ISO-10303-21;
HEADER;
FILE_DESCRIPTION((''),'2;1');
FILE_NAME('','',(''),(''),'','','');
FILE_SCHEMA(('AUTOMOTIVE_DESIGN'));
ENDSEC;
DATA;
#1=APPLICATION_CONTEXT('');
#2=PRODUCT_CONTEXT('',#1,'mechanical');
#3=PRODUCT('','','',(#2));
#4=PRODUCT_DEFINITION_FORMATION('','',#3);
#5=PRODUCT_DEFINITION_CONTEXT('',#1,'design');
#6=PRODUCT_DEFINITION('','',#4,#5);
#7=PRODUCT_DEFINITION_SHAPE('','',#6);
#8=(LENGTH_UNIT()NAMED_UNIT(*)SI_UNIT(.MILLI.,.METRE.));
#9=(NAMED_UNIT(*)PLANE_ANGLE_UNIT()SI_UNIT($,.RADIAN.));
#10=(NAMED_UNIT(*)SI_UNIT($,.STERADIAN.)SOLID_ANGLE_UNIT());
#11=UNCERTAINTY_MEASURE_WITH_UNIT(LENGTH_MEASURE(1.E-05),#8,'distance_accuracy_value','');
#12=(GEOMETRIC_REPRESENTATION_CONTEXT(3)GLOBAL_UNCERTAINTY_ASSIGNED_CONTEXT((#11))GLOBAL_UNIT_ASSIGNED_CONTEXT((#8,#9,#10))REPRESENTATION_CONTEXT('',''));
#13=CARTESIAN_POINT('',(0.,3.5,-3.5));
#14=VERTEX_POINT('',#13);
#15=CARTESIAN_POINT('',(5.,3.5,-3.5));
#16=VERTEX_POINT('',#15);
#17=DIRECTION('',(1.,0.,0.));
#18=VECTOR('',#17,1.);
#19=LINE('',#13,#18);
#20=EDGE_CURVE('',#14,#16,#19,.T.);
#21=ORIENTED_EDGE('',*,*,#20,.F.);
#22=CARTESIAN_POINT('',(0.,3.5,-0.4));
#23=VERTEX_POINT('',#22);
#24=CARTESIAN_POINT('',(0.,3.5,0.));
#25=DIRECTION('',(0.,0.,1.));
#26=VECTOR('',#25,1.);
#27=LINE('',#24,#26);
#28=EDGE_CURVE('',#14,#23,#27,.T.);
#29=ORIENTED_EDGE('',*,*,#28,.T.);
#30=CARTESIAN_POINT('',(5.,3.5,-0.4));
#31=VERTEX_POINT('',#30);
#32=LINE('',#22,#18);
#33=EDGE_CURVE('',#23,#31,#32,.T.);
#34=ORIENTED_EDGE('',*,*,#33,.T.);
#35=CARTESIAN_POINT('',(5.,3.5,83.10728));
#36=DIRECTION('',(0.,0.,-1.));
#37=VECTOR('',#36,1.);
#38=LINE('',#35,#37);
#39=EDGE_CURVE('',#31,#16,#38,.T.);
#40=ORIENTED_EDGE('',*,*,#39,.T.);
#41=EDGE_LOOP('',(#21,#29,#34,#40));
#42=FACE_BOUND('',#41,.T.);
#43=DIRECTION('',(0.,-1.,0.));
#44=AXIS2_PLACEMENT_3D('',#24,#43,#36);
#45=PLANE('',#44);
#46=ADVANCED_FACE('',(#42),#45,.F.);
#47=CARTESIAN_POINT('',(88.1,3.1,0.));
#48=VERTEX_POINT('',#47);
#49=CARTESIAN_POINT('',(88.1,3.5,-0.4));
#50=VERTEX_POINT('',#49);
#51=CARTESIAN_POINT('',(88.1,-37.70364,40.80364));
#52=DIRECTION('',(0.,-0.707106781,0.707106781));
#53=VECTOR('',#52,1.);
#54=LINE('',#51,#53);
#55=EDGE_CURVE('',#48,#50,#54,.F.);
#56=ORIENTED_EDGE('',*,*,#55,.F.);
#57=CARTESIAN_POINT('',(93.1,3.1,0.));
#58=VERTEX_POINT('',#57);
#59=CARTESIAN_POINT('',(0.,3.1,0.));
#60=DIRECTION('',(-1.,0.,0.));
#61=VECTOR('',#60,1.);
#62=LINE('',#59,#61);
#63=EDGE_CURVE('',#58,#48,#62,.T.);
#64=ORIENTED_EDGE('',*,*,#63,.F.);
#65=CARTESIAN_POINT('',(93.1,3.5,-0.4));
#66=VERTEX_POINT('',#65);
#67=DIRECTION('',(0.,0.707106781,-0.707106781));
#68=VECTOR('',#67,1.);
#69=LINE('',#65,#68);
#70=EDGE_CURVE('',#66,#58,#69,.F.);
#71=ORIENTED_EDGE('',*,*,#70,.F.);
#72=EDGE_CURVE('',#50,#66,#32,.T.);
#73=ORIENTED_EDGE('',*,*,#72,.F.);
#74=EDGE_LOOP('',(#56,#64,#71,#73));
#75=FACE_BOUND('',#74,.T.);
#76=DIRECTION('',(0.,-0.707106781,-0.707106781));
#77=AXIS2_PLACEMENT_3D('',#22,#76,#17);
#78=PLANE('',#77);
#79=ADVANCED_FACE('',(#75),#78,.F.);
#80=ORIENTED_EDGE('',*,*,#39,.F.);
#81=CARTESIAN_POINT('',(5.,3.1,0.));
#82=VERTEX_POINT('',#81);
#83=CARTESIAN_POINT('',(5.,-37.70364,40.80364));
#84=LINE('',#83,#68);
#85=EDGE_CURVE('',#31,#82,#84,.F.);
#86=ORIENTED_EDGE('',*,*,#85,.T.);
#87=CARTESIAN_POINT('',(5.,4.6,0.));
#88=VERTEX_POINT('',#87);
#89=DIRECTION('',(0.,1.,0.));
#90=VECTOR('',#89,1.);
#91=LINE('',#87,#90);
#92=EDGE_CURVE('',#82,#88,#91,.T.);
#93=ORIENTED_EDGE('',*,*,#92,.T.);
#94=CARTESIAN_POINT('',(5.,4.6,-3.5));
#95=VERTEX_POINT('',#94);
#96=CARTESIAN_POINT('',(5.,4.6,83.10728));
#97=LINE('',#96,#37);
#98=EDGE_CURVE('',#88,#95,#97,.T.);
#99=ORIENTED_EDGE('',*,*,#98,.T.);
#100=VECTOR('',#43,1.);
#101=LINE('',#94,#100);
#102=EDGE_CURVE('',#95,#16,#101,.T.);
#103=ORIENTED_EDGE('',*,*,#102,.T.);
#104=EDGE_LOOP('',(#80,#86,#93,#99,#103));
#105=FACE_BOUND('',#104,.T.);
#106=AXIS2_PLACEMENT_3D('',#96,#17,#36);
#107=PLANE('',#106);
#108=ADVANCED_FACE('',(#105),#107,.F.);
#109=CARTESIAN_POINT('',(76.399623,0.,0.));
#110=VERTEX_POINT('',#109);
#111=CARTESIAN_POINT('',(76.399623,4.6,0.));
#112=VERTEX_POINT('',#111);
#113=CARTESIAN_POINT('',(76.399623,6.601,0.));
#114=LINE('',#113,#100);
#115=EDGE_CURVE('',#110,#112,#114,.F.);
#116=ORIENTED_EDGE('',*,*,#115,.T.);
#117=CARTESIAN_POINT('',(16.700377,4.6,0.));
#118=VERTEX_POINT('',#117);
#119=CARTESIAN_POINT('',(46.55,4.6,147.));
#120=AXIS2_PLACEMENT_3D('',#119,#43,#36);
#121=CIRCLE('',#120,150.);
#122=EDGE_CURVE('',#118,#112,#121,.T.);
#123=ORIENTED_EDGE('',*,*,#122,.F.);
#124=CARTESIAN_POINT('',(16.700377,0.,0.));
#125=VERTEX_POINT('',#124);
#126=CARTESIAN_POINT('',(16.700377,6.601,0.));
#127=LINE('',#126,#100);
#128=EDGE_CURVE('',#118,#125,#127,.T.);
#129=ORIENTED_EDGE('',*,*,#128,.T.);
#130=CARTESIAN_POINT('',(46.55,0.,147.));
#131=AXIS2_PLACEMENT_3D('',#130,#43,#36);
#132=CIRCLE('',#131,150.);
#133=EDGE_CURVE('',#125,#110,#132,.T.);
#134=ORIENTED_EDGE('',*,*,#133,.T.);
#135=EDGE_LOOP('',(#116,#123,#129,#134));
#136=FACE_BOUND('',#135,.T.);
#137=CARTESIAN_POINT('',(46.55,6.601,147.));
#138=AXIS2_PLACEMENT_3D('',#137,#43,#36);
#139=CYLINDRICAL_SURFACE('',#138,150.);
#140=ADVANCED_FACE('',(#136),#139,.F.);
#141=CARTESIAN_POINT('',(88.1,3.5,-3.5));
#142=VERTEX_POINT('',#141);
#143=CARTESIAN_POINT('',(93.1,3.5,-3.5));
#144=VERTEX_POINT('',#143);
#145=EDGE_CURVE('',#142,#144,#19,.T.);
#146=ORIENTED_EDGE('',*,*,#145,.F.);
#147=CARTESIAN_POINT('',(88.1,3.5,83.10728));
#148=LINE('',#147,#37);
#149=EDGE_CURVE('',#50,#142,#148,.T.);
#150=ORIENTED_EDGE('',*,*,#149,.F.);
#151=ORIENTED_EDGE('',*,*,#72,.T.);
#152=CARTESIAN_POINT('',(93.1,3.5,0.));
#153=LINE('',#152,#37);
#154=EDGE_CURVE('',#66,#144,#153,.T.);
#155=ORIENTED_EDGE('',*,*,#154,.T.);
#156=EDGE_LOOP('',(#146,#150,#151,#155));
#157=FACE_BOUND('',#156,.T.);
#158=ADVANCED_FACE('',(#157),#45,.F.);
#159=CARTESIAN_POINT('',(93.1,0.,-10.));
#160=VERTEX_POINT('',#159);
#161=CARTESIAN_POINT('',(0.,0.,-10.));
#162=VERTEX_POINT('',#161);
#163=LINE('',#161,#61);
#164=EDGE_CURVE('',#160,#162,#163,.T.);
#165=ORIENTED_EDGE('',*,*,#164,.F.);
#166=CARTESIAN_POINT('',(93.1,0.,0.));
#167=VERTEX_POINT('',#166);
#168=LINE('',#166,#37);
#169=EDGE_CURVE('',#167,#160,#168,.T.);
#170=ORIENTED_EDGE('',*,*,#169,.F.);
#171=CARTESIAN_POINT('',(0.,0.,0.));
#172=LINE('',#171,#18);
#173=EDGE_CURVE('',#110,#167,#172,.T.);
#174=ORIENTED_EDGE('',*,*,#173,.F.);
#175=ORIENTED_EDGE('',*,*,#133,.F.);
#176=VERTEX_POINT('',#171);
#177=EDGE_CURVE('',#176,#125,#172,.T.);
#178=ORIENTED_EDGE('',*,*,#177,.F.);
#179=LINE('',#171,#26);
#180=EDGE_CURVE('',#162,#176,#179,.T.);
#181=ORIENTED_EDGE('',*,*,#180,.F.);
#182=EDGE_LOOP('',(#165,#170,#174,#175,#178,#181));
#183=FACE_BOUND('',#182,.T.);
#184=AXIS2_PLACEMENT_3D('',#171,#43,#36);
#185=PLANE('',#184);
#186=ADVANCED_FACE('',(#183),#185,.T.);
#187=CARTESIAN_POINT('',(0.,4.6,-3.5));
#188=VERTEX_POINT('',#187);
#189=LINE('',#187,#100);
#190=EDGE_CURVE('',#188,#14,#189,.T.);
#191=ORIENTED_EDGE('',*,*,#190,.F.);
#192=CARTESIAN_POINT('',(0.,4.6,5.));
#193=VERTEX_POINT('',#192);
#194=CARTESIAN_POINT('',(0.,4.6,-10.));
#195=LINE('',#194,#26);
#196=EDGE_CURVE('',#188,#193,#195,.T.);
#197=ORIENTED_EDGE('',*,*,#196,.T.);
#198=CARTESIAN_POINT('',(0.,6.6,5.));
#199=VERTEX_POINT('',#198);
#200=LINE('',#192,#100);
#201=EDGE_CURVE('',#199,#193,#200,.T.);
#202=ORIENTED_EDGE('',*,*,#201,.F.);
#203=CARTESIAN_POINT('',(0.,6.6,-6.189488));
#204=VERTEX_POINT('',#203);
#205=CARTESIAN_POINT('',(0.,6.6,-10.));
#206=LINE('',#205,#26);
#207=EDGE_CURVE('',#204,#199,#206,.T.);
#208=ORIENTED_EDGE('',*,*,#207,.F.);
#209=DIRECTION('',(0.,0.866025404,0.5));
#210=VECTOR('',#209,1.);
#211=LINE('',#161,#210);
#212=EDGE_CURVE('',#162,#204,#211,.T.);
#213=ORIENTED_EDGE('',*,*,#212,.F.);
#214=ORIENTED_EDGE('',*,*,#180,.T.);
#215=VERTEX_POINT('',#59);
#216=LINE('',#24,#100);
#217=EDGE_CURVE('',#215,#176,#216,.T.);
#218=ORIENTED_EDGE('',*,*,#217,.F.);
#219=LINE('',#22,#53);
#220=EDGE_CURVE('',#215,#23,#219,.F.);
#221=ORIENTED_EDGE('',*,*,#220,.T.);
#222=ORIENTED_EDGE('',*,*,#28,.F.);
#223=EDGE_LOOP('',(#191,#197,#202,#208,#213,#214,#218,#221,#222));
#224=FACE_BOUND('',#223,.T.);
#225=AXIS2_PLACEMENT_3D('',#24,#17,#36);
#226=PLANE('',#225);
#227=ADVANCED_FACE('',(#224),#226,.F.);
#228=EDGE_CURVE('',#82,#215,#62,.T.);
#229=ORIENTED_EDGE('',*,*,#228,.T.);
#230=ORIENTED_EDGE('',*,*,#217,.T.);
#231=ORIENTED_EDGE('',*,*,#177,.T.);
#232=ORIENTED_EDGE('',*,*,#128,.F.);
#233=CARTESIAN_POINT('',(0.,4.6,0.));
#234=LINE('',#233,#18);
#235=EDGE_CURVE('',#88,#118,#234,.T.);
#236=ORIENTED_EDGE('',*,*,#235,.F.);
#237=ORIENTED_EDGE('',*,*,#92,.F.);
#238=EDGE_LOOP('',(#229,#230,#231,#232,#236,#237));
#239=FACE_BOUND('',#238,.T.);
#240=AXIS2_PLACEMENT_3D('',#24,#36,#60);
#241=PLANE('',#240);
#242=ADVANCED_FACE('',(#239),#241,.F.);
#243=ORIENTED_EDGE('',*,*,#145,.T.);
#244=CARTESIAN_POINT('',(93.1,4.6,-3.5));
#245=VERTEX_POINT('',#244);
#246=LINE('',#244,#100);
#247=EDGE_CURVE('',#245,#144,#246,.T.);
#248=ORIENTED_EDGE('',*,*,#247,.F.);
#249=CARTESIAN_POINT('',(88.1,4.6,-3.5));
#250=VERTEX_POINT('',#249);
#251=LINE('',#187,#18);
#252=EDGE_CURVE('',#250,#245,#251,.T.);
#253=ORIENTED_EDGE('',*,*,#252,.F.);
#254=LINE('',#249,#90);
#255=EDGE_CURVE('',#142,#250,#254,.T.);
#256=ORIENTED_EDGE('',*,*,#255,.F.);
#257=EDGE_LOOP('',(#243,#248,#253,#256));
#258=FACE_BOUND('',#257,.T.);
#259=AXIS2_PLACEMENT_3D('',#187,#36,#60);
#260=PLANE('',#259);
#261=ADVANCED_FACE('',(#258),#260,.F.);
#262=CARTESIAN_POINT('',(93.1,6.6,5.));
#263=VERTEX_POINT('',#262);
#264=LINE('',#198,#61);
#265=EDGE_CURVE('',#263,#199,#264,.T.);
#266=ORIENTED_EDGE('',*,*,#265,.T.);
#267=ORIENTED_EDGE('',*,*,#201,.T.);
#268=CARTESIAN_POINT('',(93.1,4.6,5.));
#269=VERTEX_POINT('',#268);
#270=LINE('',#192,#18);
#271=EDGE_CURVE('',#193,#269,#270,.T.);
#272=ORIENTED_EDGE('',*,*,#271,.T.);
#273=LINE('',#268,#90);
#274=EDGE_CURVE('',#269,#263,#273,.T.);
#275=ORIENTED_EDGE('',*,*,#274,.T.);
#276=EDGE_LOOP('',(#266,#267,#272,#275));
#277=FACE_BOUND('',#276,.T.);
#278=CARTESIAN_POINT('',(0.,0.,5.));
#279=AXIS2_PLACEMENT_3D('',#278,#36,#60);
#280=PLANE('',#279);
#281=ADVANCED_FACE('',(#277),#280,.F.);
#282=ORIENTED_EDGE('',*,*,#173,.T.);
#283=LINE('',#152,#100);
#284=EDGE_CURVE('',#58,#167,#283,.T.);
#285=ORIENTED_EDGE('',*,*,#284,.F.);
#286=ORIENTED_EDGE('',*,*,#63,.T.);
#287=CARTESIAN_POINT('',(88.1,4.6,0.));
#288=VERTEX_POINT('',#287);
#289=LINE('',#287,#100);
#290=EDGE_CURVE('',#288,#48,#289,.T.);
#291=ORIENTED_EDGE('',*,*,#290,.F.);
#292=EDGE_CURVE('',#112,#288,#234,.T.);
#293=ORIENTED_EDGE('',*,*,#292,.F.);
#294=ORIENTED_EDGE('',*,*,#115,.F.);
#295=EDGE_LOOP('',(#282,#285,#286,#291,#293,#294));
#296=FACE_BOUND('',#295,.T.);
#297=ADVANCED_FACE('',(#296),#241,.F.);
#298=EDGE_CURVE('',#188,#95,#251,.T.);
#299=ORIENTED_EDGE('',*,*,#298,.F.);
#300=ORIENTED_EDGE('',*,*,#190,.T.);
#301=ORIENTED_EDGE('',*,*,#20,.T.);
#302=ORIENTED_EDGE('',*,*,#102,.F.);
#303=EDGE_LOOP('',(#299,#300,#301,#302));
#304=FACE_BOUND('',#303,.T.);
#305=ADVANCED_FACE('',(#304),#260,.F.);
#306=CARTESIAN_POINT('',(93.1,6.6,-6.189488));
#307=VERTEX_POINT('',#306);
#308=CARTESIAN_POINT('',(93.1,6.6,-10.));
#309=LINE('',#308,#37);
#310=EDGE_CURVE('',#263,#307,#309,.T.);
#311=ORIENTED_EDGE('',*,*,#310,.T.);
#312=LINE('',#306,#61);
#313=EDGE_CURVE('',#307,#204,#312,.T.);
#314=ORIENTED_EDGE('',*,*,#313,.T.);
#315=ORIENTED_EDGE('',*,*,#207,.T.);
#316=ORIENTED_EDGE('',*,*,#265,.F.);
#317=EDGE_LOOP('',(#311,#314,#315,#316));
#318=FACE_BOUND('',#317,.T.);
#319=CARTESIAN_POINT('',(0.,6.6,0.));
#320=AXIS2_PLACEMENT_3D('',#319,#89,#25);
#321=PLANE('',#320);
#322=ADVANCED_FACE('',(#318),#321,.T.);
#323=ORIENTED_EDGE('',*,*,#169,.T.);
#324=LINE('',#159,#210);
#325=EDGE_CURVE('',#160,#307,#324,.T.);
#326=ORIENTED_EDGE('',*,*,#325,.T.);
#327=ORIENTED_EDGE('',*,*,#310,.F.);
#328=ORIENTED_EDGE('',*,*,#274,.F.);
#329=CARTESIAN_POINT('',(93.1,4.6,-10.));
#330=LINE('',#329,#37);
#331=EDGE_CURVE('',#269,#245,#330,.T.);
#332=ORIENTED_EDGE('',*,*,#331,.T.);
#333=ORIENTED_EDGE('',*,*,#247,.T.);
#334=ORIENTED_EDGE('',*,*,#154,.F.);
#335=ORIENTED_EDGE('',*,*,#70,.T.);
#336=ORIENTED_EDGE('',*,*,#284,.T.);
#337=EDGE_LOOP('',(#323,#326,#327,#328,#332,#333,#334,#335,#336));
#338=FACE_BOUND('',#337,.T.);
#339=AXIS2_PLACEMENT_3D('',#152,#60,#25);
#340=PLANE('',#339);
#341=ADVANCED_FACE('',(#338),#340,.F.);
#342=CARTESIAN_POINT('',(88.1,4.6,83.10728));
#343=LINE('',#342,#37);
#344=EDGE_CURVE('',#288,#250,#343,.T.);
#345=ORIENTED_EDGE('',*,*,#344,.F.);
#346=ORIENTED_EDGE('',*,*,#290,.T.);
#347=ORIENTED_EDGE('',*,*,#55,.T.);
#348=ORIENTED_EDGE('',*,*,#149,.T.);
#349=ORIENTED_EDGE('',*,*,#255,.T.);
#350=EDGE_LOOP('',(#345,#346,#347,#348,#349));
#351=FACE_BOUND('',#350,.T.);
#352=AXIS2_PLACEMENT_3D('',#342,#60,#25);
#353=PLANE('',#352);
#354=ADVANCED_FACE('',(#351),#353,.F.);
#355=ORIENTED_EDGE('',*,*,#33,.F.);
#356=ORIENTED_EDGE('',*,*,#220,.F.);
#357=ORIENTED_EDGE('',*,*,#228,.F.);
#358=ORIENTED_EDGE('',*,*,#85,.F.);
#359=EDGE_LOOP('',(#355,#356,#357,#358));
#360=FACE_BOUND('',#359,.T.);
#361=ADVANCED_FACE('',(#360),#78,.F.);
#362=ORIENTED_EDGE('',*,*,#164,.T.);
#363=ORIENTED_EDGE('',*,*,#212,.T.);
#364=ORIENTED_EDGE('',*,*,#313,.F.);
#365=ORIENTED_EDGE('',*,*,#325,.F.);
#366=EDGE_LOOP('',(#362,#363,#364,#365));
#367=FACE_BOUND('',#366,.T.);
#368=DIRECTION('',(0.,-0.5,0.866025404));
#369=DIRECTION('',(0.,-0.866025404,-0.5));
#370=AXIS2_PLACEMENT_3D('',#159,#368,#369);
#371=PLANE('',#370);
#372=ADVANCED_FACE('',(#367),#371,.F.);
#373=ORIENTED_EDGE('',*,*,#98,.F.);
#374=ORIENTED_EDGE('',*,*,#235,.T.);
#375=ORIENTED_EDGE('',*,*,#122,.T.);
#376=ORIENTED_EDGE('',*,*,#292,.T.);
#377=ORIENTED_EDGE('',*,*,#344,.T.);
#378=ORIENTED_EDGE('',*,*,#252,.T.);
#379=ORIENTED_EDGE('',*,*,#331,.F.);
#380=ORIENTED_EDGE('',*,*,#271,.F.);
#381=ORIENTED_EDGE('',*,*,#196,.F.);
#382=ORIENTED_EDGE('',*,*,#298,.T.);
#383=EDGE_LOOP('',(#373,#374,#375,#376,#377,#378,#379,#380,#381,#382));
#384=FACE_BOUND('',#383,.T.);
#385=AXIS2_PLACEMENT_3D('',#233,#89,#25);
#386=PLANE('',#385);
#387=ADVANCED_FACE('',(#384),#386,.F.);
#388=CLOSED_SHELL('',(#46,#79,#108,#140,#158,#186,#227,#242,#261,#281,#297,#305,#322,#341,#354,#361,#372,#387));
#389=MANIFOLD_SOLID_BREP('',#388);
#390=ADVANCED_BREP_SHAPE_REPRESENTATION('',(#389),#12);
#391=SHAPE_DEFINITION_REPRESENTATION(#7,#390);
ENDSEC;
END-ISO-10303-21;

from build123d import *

# Parameters (mm, degrees)
SKETCH_2_W                  = 93.1
SKETCH_2_H                  = 10
EXTRUDE_1_DEPTH             = 3.5
SKETCH_4_W                  = 93.1
SKETCH_4_H                  = 6.5
EXTRUDE_2_DEPTH             = 1.1
SKETCH_5_W                  = 93.1
SKETCH_5_H                  = 10
EXTRUDE_3_DEPTH             = 2
CUT_EXTRUDE_1_DEPTH         = 94.867832616
SKETCH_7_W                  = 83.1
SKETCH_7_H                  = 1.1
EXTRUDE_4_DEPTH             = 3.5
CHAMFER_1_SIZE              = 0.4
CUT_EXTRUDE_2_REACH         = 95.868
SKETCH_8_R                  = 150
SKETCH_9_W                  = 93.1
SKETCH_9_H                  = 2
EXTRUDE_5_DEPTH             = 5
EXTRUDE_5_DIRECTION_2_REACH = 95.868


with BuildPart() as part:
    # 草图2 → 凸台-拉伸1 (new body)
    with BuildSketch(Plane(origin=(0, 0, 0), x_dir=(1, 0, 0), z_dir=(0, 1, 0))):
        with Locations((46.55, 5)):
            Rectangle(SKETCH_2_W, SKETCH_2_H)
    extrude(amount=EXTRUDE_1_DEPTH)

    # 草图4 → 凸台-拉伸2 (add)
    with BuildSketch(Plane(origin=(0, 3.5, 0), x_dir=(1, 0, 0), z_dir=(0, 1, 0))):
        with Locations((46.55, 6.75)):
            Rectangle(SKETCH_4_W, SKETCH_4_H)
    extrude(amount=EXTRUDE_2_DEPTH)

    # 草图5 → 凸台-拉伸3 (add)
    with BuildSketch(Plane(origin=(0, 4.6, 0), x_dir=(1, 0, 0), z_dir=(0, 1, 0))):
        with Locations((46.55, 5)):
            Rectangle(SKETCH_5_W, SKETCH_5_H)
    extrude(amount=EXTRUDE_3_DEPTH)

    # 草图6 → 切除-拉伸1 (cut, through all)
    with BuildSketch(Plane.ZY):
        Polygon((-10, 0), (-6.189488223, 6.6), (-10, 6.6), align=None)
    extrude(amount=-CUT_EXTRUDE_1_DEPTH, mode=Mode.SUBTRACT)

    # 草图7 → 凸台-拉伸4 (add)
    with BuildSketch(Plane.XY.offset(-3.5)):
        with Locations((46.55, 4.05)):
            Rectangle(SKETCH_7_W, SKETCH_7_H)
    extrude(amount=EXTRUDE_4_DEPTH)

    # 倒角1
    chamfer_1_edges = [part.edges().sort_by_distance(p)[0] for p in [
        (90.6, 3.5, 0),
        (2.5, 3.5, 0),
    ]]
    chamfer(chamfer_1_edges, length=CHAMFER_1_SIZE)

    # 草图8 → 切除-拉伸2 (cut, up to next)
    with BuildSketch(Plane.XZ, mode=Mode.PRIVATE) as cut_extrude_2_sk1:
        with Locations((46.55, 147)):
            Circle(SKETCH_8_R)
    cut_extrude_2_tool1 = extrude(cut_extrude_2_sk1.sketch, amount=-CUT_EXTRUDE_2_REACH, mode=Mode.PRIVATE) & part.part
    add(cut_extrude_2_tool1.solids().sort_by_distance((46.55, 0, 147))[0], mode=Mode.SUBTRACT)

    # 草图9 → 凸台-拉伸5 (add)
    with BuildSketch(Plane.XY):
        with Locations((46.55, 5.6)):
            Rectangle(SKETCH_9_W, SKETCH_9_H)
    extrude(amount=EXTRUDE_5_DEPTH)

    # 草图9 → 凸台-拉伸5 direction 2 (add, up to next)
    with BuildSketch(Plane.XY, mode=Mode.PRIVATE) as extrude_5_direction_2_sk1:
        with Locations((46.55, 5.6)):
            Rectangle(SKETCH_9_W, SKETCH_9_H)
    extrude_5_direction_2_tool1 = extrude(extrude_5_direction_2_sk1.sketch, amount=-EXTRUDE_5_DIRECTION_2_REACH, mode=Mode.PRIVATE) - part.part
    add(extrude_5_direction_2_tool1.solids().sort_by_distance((46.55, 5.6, 0))[0])


solid = part.part
